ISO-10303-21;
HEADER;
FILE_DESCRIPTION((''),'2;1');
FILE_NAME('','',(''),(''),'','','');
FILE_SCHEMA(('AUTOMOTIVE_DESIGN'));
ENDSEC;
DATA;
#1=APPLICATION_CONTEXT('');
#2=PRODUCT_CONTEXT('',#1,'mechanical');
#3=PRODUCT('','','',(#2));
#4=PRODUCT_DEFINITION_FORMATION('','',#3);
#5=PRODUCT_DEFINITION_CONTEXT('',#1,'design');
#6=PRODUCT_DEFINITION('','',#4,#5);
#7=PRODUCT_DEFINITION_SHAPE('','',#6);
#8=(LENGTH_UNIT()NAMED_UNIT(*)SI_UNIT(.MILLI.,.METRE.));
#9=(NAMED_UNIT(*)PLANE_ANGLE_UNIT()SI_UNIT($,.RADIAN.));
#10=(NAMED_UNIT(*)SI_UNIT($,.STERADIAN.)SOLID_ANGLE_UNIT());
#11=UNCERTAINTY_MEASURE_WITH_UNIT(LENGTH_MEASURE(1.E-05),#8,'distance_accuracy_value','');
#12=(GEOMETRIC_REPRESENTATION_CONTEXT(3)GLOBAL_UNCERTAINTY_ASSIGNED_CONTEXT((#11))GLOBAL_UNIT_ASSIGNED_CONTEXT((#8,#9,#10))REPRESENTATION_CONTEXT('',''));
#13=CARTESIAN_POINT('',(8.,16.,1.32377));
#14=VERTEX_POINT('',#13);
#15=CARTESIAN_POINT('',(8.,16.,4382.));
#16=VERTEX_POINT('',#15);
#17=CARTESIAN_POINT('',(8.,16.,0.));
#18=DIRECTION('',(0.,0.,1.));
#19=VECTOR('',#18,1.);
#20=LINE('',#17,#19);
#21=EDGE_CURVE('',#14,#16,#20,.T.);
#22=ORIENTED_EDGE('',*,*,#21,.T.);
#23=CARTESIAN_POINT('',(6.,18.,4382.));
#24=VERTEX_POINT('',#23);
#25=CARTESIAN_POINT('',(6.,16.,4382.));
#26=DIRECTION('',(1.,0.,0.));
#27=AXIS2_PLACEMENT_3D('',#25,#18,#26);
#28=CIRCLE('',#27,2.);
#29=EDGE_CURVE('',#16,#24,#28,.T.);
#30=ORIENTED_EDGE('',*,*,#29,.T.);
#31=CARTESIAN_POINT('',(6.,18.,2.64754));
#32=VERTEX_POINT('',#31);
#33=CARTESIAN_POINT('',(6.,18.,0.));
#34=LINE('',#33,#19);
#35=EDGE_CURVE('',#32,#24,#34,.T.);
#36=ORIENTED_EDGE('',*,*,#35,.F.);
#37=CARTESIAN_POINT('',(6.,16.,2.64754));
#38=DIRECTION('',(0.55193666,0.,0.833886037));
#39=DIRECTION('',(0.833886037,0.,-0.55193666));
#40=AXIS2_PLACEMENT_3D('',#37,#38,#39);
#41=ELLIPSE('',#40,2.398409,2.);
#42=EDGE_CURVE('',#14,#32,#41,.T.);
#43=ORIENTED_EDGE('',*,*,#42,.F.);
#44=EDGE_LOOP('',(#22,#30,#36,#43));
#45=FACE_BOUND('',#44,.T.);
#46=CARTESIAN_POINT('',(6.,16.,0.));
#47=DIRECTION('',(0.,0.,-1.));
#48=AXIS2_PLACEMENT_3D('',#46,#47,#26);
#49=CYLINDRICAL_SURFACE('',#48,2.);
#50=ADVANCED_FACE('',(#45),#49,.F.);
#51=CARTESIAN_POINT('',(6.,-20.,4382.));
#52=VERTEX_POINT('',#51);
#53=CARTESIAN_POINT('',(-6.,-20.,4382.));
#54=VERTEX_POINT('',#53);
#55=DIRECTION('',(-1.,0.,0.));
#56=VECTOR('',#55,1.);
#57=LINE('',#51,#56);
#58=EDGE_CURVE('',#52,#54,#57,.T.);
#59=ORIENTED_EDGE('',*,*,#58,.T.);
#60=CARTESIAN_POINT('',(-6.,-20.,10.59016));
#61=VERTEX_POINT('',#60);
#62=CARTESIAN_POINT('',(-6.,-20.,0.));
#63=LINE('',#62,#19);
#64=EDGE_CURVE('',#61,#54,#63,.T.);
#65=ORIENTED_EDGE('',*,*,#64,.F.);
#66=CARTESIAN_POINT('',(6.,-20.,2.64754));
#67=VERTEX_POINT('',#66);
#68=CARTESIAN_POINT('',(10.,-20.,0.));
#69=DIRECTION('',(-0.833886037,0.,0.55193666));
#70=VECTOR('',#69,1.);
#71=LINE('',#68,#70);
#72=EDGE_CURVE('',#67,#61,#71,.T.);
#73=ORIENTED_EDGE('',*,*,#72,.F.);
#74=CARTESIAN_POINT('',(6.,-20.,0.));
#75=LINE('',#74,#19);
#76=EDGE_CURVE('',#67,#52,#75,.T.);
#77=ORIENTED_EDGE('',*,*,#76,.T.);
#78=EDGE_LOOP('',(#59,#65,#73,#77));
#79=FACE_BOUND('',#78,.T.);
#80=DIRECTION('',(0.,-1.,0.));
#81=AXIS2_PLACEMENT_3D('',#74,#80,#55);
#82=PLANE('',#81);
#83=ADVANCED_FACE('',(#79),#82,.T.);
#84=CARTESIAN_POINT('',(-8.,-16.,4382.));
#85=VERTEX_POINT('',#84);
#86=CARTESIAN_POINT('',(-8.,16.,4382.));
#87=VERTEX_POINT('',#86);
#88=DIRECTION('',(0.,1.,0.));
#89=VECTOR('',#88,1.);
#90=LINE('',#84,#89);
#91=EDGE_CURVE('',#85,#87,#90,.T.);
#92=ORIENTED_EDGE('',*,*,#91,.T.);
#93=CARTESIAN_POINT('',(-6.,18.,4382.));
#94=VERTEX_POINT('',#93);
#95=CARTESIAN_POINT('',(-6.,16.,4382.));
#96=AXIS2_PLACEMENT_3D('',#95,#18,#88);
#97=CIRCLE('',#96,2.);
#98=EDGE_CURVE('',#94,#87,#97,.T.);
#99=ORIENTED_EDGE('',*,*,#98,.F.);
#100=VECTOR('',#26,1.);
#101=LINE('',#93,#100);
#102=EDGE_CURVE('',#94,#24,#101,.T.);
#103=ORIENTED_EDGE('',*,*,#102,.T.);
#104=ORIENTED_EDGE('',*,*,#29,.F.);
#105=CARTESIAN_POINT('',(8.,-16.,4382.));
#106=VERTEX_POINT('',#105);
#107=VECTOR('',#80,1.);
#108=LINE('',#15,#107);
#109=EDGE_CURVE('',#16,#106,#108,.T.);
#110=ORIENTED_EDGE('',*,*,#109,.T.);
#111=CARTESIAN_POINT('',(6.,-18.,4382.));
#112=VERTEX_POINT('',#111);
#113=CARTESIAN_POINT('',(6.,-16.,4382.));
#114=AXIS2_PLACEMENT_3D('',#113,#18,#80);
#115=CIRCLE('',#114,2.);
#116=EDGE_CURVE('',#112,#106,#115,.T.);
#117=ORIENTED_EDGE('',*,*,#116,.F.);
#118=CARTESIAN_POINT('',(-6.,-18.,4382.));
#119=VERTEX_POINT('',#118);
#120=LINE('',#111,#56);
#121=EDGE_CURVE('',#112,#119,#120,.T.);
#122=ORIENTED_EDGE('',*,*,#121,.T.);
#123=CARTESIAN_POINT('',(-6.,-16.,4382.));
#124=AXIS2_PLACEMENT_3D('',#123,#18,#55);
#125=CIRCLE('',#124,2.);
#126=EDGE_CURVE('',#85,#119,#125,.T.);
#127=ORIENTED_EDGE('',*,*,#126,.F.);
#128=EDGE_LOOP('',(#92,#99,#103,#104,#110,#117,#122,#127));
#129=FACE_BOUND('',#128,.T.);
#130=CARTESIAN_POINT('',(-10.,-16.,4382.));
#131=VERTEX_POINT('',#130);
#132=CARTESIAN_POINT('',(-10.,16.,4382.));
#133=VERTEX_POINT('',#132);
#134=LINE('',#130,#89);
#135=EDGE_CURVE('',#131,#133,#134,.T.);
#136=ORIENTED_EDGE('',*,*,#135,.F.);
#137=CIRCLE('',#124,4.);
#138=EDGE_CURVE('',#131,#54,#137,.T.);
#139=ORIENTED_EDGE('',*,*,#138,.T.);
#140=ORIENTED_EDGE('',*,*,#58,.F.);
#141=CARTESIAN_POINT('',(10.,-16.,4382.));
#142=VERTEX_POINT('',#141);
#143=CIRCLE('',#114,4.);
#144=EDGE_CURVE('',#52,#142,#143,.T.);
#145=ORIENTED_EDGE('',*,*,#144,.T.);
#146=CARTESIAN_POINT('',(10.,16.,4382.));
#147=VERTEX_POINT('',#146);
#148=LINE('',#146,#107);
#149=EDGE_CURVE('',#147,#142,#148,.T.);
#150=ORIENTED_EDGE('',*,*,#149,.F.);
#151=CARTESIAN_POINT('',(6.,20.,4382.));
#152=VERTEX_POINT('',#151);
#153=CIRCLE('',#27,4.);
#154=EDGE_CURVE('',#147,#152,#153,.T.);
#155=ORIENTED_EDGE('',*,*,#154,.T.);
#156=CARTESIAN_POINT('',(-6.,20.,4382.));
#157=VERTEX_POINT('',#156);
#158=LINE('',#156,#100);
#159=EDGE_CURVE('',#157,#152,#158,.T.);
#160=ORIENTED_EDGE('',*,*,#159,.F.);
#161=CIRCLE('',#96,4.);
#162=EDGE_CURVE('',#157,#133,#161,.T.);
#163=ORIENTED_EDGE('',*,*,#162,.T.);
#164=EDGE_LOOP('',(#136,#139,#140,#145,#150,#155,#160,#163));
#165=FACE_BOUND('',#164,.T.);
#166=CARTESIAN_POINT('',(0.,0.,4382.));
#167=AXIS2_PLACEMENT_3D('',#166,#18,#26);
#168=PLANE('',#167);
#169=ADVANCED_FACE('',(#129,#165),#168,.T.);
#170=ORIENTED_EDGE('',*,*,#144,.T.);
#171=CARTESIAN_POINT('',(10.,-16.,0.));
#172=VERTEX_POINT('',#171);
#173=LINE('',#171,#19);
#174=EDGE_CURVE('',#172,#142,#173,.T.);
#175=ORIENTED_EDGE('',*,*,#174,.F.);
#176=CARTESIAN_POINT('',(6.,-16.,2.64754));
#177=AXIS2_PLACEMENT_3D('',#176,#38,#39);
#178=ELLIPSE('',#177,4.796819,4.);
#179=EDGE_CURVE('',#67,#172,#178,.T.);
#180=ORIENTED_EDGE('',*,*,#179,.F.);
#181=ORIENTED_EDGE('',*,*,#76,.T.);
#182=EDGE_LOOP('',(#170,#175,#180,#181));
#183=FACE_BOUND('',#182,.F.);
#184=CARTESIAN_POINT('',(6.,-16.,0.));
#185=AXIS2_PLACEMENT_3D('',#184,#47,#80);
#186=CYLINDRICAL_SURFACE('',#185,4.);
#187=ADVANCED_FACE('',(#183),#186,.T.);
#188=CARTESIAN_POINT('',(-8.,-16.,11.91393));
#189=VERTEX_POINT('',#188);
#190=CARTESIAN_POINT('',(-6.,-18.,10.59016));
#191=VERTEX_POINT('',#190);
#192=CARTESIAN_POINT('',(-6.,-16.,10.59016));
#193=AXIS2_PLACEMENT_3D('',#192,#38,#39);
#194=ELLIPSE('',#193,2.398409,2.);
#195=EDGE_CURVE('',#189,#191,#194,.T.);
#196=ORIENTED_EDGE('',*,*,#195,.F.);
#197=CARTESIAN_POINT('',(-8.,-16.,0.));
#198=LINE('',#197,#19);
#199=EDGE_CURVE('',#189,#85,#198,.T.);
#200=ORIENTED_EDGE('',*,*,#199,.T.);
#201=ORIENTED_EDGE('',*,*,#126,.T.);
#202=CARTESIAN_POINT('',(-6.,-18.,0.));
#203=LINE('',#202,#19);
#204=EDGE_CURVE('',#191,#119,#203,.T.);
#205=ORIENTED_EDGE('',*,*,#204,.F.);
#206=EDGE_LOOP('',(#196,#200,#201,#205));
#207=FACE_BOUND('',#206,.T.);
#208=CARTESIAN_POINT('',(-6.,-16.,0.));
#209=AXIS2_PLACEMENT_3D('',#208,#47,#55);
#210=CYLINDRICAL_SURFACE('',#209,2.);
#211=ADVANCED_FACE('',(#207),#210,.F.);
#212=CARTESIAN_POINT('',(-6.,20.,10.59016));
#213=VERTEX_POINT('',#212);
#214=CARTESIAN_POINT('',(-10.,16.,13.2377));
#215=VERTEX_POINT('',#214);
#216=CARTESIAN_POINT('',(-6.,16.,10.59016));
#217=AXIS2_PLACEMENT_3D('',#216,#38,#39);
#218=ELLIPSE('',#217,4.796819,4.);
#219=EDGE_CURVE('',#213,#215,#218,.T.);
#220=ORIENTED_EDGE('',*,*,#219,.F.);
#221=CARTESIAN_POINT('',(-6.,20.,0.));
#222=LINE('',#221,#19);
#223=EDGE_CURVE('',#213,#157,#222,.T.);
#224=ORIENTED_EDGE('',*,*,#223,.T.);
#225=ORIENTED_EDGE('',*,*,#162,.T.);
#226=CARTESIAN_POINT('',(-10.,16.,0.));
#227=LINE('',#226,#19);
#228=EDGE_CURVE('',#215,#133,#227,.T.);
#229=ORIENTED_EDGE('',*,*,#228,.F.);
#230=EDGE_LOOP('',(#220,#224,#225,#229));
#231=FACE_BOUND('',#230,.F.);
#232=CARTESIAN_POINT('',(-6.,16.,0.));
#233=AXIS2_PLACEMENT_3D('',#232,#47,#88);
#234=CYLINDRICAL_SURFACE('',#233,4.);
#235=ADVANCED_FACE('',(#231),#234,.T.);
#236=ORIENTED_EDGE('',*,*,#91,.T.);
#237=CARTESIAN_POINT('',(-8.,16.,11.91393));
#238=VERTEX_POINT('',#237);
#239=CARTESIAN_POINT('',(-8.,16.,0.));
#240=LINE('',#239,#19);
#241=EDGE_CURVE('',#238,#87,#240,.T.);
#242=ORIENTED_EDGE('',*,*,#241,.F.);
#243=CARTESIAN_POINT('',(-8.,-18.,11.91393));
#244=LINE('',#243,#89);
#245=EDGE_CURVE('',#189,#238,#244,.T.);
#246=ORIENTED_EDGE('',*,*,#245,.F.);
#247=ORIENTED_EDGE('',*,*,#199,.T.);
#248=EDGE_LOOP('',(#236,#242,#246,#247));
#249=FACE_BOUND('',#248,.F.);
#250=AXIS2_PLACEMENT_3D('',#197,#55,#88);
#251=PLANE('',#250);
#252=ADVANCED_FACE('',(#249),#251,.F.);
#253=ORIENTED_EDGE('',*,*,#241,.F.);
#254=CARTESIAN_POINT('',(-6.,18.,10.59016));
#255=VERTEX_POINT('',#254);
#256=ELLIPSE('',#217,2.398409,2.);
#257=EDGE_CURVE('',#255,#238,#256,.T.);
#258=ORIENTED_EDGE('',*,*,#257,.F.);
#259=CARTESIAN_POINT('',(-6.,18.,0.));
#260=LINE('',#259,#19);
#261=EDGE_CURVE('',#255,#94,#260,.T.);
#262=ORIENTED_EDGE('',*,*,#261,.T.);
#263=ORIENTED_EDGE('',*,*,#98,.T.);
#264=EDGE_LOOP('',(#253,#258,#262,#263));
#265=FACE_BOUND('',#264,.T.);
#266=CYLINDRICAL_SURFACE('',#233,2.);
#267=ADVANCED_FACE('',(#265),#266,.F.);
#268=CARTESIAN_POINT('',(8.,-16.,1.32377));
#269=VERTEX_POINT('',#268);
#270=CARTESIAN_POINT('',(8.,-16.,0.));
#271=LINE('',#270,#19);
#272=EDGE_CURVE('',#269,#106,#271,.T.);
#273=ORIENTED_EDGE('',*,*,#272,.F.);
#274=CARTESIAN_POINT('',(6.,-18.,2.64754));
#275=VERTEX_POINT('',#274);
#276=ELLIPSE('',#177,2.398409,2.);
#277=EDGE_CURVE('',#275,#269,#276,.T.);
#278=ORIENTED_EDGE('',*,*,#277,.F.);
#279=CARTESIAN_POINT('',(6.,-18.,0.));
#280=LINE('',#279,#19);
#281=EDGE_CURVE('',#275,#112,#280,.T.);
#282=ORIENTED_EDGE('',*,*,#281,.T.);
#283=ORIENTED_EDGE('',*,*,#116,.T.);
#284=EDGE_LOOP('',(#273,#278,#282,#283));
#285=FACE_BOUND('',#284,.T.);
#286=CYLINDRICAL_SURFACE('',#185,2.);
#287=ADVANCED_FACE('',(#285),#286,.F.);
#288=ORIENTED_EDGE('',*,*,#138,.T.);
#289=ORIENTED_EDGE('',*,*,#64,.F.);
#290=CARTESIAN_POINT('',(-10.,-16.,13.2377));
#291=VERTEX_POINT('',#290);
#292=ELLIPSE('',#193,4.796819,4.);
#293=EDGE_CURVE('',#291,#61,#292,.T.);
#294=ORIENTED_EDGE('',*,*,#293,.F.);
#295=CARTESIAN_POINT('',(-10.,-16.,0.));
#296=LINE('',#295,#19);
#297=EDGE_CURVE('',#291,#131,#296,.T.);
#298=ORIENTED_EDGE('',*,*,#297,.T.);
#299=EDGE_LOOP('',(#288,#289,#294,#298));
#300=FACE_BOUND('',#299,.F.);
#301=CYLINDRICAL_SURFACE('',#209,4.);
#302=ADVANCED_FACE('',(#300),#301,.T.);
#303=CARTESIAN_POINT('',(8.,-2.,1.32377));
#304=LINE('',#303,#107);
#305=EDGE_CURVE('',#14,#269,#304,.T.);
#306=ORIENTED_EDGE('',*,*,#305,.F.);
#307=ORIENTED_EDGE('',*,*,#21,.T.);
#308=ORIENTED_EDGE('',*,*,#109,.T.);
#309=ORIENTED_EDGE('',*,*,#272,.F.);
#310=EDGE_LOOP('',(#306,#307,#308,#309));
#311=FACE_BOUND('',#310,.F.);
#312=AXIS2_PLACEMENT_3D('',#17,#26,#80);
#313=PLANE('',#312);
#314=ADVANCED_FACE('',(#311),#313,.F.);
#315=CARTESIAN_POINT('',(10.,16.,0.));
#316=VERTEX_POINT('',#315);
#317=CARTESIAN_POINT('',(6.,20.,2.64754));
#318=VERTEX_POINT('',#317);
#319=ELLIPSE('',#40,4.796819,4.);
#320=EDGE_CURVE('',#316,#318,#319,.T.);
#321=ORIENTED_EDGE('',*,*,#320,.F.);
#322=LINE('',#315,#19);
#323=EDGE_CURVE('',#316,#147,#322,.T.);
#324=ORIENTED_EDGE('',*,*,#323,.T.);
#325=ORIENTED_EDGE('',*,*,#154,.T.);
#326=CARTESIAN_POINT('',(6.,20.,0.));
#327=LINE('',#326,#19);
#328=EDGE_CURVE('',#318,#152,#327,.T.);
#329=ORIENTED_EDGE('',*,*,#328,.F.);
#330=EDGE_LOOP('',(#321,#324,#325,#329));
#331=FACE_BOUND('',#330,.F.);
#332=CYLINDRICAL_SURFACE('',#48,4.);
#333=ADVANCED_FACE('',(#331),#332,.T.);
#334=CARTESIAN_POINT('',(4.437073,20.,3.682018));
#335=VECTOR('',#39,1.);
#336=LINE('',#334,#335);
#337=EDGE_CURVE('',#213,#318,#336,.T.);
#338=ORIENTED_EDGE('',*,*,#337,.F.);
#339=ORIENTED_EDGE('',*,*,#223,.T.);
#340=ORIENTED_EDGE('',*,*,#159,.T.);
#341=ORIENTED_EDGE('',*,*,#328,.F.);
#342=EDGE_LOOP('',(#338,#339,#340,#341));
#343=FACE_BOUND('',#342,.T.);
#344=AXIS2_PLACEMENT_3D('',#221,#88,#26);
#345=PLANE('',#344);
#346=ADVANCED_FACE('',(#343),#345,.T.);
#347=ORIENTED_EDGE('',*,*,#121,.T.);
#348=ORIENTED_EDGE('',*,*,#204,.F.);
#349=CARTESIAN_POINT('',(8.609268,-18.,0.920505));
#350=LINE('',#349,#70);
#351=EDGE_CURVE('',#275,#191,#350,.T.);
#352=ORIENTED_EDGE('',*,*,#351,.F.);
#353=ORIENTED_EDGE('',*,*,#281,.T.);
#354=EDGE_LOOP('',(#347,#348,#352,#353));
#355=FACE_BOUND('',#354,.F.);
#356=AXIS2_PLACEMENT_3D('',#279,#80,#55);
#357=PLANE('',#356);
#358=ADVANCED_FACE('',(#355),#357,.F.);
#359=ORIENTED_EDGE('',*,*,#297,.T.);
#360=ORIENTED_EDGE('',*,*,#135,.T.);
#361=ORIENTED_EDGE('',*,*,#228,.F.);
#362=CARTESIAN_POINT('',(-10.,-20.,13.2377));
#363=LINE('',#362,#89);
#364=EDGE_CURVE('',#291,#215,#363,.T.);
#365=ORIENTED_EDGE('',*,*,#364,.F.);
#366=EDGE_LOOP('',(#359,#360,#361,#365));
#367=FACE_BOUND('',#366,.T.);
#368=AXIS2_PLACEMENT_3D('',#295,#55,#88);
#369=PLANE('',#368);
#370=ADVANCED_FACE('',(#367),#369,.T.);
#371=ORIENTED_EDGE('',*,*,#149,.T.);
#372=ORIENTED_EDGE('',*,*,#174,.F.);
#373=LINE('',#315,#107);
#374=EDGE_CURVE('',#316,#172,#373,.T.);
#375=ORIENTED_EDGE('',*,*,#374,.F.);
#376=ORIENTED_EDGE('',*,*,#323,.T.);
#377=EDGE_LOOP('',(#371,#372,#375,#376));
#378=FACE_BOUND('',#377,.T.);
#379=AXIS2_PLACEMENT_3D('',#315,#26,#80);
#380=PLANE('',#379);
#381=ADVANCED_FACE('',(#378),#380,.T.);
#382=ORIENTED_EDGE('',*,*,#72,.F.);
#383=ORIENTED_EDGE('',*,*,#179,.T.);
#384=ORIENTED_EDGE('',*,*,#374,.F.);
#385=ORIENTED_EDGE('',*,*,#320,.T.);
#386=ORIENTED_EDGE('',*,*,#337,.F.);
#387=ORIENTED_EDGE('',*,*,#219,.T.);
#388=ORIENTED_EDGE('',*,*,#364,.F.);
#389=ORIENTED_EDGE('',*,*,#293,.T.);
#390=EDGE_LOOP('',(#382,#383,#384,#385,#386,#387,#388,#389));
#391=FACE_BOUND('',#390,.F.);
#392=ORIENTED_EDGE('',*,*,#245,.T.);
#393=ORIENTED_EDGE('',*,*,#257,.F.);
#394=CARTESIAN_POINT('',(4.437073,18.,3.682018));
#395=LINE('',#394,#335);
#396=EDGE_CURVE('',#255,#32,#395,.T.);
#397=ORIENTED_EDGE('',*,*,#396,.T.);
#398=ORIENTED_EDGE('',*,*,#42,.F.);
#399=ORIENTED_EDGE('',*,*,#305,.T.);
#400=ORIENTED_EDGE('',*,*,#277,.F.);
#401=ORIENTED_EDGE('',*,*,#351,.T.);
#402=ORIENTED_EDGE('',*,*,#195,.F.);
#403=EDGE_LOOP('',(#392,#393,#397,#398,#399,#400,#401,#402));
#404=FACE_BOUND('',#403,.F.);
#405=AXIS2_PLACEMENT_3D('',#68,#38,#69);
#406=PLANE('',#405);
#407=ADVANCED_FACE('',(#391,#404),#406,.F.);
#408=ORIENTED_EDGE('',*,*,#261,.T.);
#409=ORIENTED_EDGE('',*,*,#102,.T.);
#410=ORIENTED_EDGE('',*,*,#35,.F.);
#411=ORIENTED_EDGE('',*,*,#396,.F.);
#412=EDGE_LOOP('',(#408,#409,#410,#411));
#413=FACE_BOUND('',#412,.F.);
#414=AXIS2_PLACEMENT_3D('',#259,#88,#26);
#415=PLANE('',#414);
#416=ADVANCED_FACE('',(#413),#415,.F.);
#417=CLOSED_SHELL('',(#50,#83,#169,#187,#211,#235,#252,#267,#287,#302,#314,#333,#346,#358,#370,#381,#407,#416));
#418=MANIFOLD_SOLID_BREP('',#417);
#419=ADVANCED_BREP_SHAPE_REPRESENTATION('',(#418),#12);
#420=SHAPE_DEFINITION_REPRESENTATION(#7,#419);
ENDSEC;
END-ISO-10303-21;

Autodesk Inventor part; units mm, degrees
ref_plane "YZ Plane" through (0, 0, 0) normal (1, 0, 0) x (0, 1, 0)
ref_plane "Start plane" through (0, 0, 0) normal (0, 0, 1) x (1, 0, 0)
ref_plane "End plane" through (0, 0, 4382) normal (0, 0, 1) x (1, 0, 0)
sketch "Sketch" plane through (0, 0, 0) normal (0, 0, 1) x (1, 0, 0)
  line L0 (-10, -16) -> (-10, 16)
  line L1 (-6, 20) -> (6, 20)
  line L2 (10, 16) -> (10, -16)
  line L3 (6, -20) -> (-6, -20)
  arc A0 (-10, -16) -> (-6, -20) centre (-6, -16) ccw
  arc A1 (10, 16) -> (6, 20) centre (6, 16) ccw
  arc A2 (-6, 20) -> (-10, 16) centre (-6, 16) ccw
  arc A3 (6, -20) -> (10, -16) centre (6, -16) ccw
  arc A4 (-6, 18) -> (-8, 16) centre (-6, 16) ccw
  line L4 (-6, 18) -> (6, 18)
  arc A5 (8, 16) -> (6, 18) centre (6, 16) ccw
  line L5 (8, 16) -> (8, -16)
  arc A6 (6, -18) -> (8, -16) centre (6, -16) ccw
  line L6 (6, -18) -> (-6, -18)
  arc A7 (-8, -16) -> (-6, -18) centre (-6, -16) ccw
  line L7 (-8, -16) -> (-8, 16)
  line L8 (0, 29.1598) -> (0, -29.1598) construction
  line L9 (-15.1598, 0) -> (15.1598, 0) construction
  dimension "d7" = 4
  dimension "d9" = 20
  dimension "d11" = 40
  dimension "d12" = 2
  dimension "d15" = 10
  dimension "d16" = 20
extrude "Body" add sketch "Sketch" along normal up to surface (4382 mm away) from surface at 0
sketch "Sketch3" plane through (0, 0, 0) normal (0, 0, 1) x (1, 0, 0)
  line L0 (0, 0) -> (10, 0)
ref_plane "Work Plane3" through (0, 0, 0) normal (0, -1, 0) x (1, 0, 0)
sketch "Sketch5" plane through (-6, -20, 0) normal (0, -1, 0) x (1, 0, 0)
  line L0 (16, 0) -> (16, 4382) projected
  line L1 (12, 0) -> (16, 0) projected
  line L2 (12, 0) -> (0, 0) projected
  line L3 (-4, 0) -> (0, 0) projected
  line L4 (-4, 0) -> (-4, 4382) projected
  line L5 (16, 0) -> (-4, 13.2377)
  line L6 (-4, 0) -> (-4, 4382) projected
  point P0 (6, 0)
  dimension "d19" = 33.5
extrude "Extrusion2" cut sketch "Sketch5" against normal through all
sketch "Sketch4" plane through (0, 0, 0) normal (0, -1, 0) x (1, 0, 0)
  line L0 (-2, 0) -> (12, 0) projected
  line L1 (-2, 4382) -> (12, 4382) projected
  dimension "d18" = 4382
equation "\"d7\" = G_IR"
equation "\"d9\" = G_W"
equation "\"d11\" = G_H"
equation "\"d12\" = G_T"
equation "\"d15\" = 0.5 * d9"
equation "\"d16\" = 0.5 * d11"
equation "\"d3\" = G_L"
equation "\"G_W\" = 20"
equation "\"G_H\" = 40"
equation "\"G_T\" = 2"
equation "\"G_IR\" = 4"
equation "\"G_L\" = d18"
equation "\"G_OFFSET_START\" = 0"
equation "\"G_OFFSET_END\" = 0"
equation "\"d14\" = G_OFFSET_END + B_L"
equation "\"B_L\" = 4382"
properties part number "ISO 4019 - 40x20x2 - 4382" material "Steel, Mild"
